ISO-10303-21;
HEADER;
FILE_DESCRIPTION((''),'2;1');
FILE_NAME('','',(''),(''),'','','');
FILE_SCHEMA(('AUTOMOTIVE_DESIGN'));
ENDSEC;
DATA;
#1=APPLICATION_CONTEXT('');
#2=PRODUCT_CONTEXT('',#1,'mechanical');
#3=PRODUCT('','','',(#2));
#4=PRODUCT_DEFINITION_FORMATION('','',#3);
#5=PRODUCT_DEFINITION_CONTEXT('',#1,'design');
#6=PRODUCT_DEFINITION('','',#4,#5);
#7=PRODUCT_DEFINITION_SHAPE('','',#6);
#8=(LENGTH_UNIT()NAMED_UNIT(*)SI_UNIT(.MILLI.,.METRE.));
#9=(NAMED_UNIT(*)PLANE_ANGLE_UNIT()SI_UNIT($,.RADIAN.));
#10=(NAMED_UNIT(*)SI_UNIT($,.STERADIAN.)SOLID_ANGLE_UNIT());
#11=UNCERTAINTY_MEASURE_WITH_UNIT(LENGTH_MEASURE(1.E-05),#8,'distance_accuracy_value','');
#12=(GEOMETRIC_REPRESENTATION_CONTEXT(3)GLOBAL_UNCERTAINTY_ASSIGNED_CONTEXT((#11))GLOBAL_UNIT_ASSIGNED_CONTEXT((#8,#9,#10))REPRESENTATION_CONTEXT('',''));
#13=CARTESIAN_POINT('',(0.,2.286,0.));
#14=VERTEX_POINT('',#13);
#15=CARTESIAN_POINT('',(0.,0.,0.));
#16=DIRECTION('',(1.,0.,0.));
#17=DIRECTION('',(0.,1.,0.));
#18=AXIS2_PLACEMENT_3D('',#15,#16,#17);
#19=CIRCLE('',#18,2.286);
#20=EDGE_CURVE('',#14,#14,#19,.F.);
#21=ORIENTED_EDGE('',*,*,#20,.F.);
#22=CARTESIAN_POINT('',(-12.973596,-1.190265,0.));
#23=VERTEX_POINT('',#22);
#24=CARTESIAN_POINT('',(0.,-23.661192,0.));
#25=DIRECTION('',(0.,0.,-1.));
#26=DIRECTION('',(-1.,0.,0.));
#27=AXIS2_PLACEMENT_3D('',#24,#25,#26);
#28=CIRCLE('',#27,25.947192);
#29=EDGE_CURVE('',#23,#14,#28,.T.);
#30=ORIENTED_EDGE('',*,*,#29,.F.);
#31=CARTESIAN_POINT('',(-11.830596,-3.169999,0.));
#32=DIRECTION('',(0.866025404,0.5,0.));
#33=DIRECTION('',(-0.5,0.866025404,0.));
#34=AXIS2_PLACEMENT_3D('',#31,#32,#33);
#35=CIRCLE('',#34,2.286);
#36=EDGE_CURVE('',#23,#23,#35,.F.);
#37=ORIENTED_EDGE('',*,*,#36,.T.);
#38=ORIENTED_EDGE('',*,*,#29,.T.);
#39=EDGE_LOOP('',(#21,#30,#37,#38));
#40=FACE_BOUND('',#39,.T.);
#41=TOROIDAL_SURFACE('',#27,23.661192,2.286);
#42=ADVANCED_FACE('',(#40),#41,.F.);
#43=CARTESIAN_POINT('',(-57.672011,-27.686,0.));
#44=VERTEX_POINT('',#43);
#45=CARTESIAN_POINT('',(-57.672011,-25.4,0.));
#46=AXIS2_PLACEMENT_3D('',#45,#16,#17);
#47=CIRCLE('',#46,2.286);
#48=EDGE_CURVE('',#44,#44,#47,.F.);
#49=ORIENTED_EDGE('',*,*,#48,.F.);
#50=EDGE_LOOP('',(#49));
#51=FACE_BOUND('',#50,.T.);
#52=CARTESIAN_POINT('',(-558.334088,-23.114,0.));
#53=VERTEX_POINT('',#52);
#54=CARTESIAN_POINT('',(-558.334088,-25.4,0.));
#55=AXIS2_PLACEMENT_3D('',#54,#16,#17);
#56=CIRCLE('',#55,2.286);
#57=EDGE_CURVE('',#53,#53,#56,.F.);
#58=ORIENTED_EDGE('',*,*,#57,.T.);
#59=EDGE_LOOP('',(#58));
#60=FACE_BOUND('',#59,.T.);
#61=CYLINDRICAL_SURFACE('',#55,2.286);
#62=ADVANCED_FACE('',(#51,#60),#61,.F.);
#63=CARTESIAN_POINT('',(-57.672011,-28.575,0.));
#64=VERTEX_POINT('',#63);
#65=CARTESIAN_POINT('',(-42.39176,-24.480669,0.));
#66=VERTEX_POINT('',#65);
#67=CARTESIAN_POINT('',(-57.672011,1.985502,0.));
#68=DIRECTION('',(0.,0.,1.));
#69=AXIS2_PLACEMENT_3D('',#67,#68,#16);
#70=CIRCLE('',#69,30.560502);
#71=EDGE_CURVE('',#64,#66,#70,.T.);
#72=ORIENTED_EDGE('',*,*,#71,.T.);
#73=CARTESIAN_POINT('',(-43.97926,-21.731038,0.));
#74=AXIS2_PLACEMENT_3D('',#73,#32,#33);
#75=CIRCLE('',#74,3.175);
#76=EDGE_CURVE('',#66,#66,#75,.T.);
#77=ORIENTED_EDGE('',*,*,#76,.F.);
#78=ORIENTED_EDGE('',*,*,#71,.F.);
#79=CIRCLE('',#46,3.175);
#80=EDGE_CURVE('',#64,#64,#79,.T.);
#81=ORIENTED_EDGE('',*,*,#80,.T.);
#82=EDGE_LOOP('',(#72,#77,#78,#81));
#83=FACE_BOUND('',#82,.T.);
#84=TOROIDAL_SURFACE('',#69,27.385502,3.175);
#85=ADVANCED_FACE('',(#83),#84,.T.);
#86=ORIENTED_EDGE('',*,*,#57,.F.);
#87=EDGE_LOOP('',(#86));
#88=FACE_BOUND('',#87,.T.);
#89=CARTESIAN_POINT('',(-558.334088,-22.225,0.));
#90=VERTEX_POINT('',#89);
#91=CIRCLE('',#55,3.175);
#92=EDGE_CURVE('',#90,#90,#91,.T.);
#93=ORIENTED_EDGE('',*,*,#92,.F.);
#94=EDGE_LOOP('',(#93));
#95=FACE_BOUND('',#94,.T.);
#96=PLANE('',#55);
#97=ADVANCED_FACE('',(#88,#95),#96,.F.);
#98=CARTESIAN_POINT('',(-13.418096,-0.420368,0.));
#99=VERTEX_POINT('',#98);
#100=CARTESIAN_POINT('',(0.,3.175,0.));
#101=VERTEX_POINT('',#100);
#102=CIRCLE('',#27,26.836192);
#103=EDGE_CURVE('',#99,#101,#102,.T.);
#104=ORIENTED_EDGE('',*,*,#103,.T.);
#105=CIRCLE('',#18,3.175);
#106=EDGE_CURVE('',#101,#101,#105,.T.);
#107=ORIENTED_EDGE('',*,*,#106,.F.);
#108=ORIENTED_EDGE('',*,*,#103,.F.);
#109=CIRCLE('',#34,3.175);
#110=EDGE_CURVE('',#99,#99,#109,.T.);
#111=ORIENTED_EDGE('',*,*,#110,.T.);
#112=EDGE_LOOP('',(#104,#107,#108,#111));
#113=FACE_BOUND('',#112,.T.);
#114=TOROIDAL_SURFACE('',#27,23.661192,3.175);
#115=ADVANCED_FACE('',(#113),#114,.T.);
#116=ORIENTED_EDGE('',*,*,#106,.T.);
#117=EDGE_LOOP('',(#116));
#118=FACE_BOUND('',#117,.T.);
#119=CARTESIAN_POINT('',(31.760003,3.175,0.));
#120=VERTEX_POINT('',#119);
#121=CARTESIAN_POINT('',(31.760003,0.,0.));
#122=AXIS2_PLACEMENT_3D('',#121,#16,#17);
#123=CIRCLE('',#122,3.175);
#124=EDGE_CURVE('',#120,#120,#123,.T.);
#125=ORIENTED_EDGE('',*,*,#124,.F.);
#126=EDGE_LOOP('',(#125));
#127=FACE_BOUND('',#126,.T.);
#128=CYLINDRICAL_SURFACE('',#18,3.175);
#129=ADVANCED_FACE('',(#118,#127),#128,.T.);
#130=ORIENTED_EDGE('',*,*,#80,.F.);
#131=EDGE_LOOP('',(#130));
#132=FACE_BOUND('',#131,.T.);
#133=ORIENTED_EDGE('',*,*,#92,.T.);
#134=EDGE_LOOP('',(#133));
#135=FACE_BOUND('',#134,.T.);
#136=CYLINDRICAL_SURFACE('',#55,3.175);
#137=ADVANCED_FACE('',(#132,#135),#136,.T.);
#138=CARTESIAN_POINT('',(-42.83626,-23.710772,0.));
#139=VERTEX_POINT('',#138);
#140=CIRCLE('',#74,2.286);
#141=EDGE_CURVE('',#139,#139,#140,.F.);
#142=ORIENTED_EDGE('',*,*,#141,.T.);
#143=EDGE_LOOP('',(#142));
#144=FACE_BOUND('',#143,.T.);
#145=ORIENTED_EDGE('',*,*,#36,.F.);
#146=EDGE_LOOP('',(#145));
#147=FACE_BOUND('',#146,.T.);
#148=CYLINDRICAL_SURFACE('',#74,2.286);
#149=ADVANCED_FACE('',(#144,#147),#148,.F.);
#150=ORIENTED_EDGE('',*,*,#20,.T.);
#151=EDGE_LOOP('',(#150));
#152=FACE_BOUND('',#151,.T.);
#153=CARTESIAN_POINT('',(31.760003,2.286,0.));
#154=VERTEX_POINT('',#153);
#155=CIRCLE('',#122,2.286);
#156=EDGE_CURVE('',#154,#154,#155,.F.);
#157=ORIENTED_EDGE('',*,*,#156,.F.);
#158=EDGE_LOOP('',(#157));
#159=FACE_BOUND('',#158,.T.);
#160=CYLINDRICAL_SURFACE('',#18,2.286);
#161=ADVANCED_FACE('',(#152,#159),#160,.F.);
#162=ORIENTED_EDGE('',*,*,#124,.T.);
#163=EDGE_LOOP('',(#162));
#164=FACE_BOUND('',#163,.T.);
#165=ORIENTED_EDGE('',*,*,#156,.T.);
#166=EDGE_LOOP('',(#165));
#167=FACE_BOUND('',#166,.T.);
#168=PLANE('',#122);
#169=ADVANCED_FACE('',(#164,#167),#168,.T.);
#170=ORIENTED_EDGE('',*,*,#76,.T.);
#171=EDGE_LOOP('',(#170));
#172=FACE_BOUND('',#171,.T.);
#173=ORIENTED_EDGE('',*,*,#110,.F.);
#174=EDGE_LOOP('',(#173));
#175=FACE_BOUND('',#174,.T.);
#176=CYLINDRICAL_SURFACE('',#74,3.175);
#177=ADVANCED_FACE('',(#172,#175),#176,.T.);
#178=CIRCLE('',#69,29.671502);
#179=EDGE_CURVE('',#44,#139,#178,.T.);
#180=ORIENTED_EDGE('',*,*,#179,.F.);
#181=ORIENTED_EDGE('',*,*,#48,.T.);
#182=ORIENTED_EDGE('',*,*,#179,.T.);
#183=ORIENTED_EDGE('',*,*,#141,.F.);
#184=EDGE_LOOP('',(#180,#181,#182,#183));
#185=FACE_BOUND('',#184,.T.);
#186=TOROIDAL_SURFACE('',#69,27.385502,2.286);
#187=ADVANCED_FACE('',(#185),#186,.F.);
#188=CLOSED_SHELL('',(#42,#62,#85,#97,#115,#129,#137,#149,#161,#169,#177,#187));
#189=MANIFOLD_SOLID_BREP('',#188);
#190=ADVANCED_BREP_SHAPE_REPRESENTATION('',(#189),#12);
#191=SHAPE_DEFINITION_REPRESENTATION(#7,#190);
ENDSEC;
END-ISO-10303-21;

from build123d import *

# Parameters (mm, degrees)
SKETCH2_R   = 3.175
SKETCH2_R_2 = 2.286


with BuildPart() as part:
    # Sweep1: sweep along a path in Sketch1
    with BuildLine(Plane.XY) as sweep1_path:
        Line((31.760002734, 0), (0, 0))
        ThreePointArc((0, 0), (-6.123967098, -0.806235564), (-11.830595958, -3.169998633))
        Line((-11.830595958, -3.169998633), (-43.979259883, -21.731038404))
        ThreePointArc((-43.979259883, -21.731038404), (-50.584121448, -24.466861642), (-57.67201097, -25.4))
        Line((-57.67201097, -25.4), (-558.334087778, -25.4))
    # Sketch2 → Sweep1 (sweep)
    with BuildSketch(Plane(origin=(31.760002734, 0, 0), x_dir=(0, 0, -1), z_dir=(1, 0, 0))):
        Circle(SKETCH2_R)
        Circle(SKETCH2_R_2, mode=Mode.SUBTRACT)
    sweep(path=sweep1_path.line)


solid = part.part
